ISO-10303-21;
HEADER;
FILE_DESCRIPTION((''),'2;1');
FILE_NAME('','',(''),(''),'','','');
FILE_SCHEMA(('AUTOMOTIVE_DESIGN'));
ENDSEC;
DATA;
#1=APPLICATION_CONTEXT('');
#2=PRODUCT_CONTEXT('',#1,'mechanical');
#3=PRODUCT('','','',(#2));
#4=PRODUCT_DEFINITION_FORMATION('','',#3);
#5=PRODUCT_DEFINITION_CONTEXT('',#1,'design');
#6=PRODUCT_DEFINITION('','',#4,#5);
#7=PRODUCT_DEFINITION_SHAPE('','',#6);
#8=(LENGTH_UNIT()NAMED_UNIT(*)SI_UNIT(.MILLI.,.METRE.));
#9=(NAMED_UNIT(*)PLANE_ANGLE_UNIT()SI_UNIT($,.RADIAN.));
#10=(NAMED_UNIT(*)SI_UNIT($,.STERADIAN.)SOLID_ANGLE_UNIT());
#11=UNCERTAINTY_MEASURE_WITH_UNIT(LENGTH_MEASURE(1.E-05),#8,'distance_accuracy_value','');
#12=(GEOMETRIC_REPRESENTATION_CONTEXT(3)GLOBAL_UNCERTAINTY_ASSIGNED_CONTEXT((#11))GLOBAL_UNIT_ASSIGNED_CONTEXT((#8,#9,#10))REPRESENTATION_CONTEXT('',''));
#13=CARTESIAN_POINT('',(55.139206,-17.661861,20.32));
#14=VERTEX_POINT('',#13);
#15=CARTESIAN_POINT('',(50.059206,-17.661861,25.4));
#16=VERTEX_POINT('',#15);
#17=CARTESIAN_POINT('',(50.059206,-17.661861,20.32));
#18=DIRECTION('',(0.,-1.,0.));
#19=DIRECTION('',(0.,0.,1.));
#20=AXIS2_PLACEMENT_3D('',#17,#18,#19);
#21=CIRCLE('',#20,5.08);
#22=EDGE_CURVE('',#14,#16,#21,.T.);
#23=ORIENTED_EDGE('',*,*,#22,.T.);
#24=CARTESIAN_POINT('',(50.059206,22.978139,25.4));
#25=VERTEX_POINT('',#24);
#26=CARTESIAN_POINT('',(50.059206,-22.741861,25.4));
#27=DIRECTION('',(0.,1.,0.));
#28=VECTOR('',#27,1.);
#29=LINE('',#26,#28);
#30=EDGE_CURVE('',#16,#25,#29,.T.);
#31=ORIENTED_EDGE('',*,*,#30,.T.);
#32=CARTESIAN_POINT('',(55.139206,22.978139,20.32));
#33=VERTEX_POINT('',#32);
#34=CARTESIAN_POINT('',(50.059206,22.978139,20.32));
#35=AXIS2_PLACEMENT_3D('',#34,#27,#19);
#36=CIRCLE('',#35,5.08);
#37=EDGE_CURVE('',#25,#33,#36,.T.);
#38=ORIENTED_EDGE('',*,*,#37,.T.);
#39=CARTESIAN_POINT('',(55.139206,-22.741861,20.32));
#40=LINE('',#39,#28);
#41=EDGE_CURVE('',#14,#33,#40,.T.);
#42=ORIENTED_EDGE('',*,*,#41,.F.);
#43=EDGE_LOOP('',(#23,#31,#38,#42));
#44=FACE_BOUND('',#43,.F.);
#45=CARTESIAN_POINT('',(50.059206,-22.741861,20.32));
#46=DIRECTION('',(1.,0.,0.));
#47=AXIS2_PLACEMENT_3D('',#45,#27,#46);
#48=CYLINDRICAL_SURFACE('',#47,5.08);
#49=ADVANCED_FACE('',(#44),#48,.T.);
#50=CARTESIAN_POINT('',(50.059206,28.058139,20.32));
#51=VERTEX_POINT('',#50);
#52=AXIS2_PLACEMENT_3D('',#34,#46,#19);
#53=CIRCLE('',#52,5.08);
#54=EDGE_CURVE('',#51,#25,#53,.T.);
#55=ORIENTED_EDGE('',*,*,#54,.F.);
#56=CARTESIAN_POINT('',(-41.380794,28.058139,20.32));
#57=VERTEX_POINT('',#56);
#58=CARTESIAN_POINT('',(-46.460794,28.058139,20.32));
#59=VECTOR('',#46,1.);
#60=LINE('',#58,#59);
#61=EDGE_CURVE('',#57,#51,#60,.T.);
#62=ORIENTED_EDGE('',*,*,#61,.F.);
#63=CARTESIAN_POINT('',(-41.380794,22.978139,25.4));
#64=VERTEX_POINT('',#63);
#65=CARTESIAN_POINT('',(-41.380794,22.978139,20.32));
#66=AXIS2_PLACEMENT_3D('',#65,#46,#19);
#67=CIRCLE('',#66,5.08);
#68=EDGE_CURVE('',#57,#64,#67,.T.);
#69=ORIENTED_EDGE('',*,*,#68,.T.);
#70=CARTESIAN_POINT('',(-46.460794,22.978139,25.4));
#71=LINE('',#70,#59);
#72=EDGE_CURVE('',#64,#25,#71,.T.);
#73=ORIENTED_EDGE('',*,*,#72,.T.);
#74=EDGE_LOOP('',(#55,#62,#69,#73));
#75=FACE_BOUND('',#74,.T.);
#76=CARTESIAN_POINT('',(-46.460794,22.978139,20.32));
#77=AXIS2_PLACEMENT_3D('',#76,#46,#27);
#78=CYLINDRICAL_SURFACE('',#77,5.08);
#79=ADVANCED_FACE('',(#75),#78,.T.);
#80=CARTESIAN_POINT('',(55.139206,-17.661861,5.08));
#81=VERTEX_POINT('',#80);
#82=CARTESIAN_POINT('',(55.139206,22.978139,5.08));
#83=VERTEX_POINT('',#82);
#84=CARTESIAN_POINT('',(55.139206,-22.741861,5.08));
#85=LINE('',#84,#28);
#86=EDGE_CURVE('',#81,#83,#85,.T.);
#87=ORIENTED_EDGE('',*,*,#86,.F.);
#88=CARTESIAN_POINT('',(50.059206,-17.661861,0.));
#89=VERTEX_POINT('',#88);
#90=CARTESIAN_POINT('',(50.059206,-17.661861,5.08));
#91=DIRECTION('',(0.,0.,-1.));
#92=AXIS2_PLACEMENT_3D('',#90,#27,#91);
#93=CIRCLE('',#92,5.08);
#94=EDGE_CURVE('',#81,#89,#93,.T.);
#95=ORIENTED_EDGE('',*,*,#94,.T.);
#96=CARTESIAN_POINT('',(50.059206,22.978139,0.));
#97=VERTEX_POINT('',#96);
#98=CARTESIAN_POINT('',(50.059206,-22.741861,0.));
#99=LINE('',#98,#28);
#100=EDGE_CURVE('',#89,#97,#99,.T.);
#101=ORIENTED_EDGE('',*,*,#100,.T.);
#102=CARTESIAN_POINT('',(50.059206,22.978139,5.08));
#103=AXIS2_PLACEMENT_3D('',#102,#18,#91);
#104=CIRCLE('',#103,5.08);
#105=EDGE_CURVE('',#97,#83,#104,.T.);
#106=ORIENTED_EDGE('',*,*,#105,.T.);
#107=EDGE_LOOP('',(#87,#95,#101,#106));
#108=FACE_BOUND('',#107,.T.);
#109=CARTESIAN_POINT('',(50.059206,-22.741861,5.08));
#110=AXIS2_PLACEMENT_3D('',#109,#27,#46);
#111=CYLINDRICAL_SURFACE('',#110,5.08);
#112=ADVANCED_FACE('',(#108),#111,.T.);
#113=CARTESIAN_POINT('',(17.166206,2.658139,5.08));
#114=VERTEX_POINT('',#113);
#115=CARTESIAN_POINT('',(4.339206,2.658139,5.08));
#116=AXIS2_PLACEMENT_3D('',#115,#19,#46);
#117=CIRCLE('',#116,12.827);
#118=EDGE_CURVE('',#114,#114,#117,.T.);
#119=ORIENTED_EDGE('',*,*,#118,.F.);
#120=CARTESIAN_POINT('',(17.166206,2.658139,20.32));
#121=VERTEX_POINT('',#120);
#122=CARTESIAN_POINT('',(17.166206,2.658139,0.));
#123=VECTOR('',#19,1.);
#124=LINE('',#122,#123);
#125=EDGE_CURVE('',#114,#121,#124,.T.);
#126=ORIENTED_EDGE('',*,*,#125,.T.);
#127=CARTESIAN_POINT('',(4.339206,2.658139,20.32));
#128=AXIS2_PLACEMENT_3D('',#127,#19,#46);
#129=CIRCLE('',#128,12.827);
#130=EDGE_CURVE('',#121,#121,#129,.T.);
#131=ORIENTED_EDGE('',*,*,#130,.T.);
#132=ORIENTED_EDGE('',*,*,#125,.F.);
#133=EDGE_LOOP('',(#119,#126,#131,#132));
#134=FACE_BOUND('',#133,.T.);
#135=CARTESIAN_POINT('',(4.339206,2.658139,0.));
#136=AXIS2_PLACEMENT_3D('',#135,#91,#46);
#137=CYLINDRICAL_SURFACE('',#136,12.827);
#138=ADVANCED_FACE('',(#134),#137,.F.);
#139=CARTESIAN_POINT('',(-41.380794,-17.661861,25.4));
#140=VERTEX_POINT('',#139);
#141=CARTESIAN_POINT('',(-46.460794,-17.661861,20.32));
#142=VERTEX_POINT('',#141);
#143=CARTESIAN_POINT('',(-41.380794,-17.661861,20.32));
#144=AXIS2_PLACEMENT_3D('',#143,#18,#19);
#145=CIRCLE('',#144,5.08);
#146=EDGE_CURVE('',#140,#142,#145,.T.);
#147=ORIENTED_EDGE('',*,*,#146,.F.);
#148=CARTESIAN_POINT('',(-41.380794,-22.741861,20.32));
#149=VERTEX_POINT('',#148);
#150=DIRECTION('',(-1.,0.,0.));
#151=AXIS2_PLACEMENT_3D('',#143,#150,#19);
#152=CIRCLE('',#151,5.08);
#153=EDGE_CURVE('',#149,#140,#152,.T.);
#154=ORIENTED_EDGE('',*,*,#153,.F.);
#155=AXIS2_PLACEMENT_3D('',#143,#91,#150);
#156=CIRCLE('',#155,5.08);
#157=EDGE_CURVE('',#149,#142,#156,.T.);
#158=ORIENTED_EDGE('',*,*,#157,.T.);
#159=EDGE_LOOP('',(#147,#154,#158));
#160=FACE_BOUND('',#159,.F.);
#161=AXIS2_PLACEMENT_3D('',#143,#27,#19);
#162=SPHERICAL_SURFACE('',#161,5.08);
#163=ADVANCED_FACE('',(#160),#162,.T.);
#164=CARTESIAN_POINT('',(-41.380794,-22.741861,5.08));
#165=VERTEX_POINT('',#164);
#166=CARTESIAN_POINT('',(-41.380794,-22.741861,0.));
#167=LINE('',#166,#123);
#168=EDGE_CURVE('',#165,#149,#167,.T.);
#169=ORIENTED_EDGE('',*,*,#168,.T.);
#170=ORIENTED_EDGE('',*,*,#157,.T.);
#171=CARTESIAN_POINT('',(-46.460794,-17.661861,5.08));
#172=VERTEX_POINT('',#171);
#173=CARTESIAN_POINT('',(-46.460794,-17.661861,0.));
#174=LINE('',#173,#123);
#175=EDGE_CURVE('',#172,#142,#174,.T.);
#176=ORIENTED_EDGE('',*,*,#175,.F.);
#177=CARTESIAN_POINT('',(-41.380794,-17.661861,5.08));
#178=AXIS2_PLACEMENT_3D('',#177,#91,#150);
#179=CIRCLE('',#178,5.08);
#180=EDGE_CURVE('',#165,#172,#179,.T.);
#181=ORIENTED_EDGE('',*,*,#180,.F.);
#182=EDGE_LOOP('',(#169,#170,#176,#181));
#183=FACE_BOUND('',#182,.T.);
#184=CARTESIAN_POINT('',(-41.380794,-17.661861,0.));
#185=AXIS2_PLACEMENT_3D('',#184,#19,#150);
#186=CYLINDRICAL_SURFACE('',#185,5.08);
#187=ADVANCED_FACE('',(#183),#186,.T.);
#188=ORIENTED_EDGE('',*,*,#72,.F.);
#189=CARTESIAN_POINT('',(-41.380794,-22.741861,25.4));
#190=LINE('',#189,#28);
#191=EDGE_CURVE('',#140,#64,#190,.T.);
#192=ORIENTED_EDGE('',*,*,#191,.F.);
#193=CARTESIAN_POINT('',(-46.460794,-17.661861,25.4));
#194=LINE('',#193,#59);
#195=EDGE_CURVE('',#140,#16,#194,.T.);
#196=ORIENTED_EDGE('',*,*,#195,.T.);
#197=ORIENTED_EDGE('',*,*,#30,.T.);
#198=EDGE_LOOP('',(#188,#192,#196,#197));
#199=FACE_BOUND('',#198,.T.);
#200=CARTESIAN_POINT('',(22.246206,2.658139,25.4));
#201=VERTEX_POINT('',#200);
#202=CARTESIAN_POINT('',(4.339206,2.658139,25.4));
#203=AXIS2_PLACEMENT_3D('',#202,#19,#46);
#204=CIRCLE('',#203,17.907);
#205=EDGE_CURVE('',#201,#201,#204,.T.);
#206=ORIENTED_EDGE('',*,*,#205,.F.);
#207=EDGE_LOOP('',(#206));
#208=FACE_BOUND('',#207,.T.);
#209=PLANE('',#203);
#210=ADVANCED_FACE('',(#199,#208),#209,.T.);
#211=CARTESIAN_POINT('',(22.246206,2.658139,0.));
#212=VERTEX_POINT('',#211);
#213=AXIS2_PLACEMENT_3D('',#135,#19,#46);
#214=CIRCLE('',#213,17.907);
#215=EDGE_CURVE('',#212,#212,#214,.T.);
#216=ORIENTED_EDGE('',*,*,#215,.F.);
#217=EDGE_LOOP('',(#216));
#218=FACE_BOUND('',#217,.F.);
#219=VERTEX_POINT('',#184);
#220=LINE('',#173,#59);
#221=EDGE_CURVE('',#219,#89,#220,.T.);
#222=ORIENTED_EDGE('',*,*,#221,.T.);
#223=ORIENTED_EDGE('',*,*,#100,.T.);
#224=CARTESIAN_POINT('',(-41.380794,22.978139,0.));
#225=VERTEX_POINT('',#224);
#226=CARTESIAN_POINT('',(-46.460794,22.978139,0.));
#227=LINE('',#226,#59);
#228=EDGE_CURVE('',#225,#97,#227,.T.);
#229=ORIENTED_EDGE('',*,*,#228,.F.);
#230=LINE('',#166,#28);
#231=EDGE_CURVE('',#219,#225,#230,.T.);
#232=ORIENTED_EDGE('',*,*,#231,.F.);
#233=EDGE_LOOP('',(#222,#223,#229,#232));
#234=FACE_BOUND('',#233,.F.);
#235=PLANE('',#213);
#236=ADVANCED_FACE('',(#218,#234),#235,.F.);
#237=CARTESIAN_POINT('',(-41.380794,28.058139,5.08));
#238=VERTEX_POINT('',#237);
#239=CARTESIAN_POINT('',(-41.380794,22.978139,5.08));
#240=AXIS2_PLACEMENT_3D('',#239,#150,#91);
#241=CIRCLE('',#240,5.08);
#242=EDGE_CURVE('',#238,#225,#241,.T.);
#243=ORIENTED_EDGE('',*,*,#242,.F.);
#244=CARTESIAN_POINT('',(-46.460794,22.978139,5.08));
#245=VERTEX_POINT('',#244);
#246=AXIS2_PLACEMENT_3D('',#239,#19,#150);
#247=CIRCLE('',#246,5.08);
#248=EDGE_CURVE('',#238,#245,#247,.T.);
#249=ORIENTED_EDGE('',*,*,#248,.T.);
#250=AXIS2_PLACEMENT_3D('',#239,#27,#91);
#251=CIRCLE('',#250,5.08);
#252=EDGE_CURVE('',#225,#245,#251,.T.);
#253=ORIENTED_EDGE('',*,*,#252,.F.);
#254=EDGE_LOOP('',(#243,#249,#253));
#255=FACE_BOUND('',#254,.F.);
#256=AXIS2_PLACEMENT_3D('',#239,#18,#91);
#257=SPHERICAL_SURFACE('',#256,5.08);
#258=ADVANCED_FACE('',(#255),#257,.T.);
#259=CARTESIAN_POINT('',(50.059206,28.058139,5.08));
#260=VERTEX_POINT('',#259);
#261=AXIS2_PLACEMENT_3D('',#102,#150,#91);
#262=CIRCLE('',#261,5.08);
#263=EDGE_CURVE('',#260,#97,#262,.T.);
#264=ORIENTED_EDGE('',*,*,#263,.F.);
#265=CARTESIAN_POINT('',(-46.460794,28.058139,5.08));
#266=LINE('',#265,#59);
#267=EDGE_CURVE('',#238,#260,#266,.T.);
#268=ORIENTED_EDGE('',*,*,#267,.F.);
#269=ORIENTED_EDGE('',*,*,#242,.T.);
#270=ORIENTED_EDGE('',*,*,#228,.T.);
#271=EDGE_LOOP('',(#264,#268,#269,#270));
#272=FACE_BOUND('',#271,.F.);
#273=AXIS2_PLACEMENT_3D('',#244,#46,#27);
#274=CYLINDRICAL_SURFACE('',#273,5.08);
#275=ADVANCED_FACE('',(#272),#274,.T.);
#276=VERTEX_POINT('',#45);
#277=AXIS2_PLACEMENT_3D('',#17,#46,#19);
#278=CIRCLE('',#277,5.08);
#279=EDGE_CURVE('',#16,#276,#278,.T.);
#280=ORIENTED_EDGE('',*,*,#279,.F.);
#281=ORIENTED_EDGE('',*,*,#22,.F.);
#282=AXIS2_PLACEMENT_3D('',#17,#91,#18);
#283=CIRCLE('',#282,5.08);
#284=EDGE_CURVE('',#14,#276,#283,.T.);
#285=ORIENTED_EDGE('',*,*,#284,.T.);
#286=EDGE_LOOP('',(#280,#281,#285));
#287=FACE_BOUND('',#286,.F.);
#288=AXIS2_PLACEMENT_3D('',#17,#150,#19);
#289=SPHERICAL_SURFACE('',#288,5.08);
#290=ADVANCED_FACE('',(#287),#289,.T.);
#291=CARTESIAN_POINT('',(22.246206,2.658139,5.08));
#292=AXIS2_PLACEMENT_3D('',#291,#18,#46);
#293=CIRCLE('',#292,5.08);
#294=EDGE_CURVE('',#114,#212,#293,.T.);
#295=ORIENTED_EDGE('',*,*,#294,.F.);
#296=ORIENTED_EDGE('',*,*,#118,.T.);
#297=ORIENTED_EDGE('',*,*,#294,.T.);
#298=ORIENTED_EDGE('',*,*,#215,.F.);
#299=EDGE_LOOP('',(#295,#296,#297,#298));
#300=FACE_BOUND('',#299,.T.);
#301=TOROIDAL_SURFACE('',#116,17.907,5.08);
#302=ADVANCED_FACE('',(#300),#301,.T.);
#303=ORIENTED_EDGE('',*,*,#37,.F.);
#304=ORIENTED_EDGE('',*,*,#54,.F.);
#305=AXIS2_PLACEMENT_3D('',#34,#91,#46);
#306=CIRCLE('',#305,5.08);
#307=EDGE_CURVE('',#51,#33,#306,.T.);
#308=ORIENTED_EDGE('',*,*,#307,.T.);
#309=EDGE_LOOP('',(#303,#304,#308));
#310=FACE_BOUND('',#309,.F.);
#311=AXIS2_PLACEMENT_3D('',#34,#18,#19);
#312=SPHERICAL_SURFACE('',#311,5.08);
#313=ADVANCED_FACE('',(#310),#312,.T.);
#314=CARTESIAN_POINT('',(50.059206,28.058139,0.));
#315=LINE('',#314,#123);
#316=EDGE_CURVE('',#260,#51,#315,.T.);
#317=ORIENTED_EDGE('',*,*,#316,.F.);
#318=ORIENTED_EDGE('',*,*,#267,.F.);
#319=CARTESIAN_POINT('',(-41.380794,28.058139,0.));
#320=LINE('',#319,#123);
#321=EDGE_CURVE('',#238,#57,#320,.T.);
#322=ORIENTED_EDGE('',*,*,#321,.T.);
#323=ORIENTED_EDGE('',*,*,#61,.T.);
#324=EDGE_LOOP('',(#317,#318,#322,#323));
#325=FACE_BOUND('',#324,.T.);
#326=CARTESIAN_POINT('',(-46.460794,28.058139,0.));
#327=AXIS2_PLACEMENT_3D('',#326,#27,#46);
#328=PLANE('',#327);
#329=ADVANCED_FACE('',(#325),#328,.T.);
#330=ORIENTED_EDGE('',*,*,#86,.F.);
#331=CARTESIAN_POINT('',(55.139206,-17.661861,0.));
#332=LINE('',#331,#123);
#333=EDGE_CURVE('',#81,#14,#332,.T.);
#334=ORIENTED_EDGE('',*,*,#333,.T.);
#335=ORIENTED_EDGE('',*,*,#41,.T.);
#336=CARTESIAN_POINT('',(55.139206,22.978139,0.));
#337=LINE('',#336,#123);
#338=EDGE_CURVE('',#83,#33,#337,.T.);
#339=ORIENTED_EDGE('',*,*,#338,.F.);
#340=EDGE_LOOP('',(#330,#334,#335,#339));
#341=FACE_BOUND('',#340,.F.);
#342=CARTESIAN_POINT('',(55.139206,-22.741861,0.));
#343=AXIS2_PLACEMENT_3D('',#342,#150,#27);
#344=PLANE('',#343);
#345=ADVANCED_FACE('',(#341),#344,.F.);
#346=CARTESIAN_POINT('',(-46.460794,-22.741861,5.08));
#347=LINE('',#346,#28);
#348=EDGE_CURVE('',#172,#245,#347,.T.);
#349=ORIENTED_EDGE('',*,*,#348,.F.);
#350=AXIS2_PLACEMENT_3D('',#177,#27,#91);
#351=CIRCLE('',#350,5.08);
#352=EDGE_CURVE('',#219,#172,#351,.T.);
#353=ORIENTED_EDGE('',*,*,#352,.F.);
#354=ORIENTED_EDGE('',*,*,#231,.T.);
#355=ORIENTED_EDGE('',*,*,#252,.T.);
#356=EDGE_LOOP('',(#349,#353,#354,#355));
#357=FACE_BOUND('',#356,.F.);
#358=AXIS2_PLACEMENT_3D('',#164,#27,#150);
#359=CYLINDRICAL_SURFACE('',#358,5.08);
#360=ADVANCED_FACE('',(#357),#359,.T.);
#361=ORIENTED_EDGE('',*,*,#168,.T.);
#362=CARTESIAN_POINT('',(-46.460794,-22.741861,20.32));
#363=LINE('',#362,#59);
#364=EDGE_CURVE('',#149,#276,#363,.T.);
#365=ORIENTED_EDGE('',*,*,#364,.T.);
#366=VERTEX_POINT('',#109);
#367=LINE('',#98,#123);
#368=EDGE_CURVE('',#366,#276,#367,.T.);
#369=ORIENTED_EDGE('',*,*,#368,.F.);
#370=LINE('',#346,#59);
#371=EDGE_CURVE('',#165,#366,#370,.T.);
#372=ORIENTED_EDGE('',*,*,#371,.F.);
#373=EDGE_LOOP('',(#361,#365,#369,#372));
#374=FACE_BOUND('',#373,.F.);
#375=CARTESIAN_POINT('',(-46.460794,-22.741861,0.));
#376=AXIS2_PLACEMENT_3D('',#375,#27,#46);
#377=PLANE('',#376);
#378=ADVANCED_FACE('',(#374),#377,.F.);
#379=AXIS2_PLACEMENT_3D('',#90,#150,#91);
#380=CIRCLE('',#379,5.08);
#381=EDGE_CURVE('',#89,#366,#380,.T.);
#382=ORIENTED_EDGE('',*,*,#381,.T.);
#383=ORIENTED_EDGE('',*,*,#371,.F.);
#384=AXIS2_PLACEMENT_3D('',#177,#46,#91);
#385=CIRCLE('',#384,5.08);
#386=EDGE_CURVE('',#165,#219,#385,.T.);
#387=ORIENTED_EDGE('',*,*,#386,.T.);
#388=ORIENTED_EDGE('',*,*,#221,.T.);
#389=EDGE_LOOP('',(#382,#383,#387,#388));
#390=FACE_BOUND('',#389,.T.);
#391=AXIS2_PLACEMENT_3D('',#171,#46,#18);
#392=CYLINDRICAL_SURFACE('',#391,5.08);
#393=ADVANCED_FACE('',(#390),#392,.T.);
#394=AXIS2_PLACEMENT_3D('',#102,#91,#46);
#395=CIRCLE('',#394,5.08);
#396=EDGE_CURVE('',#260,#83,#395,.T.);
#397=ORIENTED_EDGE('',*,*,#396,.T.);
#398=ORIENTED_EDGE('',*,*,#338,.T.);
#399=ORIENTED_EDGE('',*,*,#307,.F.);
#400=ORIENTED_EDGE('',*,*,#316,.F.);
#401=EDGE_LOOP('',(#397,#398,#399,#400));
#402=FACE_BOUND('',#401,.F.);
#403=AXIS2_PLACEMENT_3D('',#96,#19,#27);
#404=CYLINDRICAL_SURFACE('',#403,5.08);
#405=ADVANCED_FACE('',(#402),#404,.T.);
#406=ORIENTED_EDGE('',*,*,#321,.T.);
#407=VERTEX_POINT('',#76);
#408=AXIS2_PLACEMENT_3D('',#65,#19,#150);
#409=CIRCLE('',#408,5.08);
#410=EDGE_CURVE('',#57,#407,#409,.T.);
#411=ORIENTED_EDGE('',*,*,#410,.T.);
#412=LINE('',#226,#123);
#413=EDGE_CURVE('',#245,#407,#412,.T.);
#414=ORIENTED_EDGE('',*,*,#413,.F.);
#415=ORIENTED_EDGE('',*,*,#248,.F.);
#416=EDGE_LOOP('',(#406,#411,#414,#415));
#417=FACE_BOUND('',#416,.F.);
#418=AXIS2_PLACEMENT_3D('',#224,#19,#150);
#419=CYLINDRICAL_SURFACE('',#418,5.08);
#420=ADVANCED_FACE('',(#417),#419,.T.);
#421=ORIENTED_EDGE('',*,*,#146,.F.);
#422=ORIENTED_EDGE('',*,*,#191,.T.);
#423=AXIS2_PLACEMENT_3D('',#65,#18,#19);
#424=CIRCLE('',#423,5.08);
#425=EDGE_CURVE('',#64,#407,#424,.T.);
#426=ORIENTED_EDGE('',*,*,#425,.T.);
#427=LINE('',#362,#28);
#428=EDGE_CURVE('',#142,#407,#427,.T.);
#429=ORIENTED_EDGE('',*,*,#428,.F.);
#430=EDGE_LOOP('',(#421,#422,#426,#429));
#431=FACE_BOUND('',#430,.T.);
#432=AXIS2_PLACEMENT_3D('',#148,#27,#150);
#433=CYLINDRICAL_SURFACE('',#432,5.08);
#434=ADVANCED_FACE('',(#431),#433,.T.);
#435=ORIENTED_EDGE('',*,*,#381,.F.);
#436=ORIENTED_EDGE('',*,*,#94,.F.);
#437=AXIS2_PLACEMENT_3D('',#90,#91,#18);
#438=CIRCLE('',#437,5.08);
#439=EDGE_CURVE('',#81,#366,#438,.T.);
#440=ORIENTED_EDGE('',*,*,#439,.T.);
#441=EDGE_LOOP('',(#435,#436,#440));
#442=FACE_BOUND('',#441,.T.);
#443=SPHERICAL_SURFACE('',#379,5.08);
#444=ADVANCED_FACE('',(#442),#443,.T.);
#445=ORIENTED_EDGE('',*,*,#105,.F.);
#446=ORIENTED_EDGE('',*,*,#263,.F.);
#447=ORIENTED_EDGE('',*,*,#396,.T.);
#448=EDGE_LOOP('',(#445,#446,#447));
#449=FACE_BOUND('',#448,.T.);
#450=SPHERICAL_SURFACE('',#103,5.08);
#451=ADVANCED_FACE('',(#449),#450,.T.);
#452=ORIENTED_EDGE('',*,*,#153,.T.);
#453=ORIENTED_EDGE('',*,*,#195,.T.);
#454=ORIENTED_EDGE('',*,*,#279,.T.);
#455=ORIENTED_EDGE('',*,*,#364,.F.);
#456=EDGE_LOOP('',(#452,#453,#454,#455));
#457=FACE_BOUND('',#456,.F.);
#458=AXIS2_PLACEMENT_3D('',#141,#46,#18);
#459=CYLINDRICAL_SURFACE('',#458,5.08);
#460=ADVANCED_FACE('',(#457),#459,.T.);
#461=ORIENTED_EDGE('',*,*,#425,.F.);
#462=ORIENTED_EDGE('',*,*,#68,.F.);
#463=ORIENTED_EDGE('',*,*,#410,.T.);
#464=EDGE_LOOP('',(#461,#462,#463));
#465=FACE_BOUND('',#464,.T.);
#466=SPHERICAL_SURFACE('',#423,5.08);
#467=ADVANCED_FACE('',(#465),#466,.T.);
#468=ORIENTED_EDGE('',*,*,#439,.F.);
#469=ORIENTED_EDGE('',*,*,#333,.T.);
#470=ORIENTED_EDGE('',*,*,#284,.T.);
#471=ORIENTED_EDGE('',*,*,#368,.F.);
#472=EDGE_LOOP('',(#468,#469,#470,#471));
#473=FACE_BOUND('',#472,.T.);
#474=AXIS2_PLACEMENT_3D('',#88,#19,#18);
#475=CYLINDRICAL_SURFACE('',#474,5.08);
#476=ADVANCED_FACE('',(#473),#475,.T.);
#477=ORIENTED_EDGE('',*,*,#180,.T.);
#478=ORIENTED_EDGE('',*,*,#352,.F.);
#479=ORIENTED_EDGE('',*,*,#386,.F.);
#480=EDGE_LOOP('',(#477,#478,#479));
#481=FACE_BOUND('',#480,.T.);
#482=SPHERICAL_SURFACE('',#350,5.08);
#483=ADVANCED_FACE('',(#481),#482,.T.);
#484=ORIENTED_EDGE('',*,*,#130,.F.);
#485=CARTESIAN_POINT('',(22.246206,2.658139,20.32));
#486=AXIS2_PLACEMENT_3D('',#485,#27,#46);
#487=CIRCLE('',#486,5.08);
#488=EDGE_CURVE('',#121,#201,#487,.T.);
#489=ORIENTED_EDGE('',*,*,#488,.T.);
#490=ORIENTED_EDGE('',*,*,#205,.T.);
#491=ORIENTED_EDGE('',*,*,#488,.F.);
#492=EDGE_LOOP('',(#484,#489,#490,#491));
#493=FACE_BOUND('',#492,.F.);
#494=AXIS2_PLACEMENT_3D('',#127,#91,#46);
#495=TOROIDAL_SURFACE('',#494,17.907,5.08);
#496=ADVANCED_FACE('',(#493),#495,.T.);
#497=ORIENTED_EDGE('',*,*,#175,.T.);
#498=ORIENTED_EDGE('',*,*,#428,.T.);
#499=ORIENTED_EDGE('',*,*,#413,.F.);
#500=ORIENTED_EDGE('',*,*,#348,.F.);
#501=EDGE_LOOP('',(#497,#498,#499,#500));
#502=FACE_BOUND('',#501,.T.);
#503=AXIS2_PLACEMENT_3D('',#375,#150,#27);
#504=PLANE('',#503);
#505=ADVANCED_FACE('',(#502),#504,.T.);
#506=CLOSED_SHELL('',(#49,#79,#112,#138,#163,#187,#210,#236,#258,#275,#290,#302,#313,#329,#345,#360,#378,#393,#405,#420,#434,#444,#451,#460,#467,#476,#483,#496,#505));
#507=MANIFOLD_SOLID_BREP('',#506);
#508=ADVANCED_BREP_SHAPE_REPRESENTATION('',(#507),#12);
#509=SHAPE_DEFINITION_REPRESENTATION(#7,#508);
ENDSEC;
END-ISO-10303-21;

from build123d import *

# Parameters (mm, degrees)
F0_W     = 101.6
F0_H     = 50.8
F0_R     = 12.827
F1_DEPTH = 25.4
F2_R     = 5.08


with BuildPart() as f1:
    # F0 (on Top) → F1 (new body)
    with BuildSketch(Plane.XY):
        with Locations((4.339206, 2.658139)):
            Rectangle(F0_W, F0_H)
        with Locations((4.339206, 2.658139)):
            Circle(F0_R, mode=Mode.SUBTRACT)
    extrude(amount=F1_DEPTH)

    # F2
    f2_edges = [f1.edges().sort_by_distance(p)[0] for p in [
        (-46.460794, 2.658139, 25.4),
        (4.339206, -22.741861, 25.4),
        (55.139206, 2.658139, 25.4),
        (4.339206, 28.058139, 25.4),
        (-8.487794, 2.658139, 25.4),
        (-46.460794, 2.658139, 0),
        (4.339206, -22.741861, 0),
        (55.139206, 2.658139, 0),
        (4.339206, 28.058139, 0),
        (-8.487794, 2.658139, 0),
        (-46.460794, -22.741861, 12.7),
        (55.139206, -22.741861, 12.7),
        (55.139206, 28.058139, 12.7),
        (-46.460794, 28.058139, 12.7),
    ]]
    fillet(f2_edges, radius=F2_R)


solid = f1.part
